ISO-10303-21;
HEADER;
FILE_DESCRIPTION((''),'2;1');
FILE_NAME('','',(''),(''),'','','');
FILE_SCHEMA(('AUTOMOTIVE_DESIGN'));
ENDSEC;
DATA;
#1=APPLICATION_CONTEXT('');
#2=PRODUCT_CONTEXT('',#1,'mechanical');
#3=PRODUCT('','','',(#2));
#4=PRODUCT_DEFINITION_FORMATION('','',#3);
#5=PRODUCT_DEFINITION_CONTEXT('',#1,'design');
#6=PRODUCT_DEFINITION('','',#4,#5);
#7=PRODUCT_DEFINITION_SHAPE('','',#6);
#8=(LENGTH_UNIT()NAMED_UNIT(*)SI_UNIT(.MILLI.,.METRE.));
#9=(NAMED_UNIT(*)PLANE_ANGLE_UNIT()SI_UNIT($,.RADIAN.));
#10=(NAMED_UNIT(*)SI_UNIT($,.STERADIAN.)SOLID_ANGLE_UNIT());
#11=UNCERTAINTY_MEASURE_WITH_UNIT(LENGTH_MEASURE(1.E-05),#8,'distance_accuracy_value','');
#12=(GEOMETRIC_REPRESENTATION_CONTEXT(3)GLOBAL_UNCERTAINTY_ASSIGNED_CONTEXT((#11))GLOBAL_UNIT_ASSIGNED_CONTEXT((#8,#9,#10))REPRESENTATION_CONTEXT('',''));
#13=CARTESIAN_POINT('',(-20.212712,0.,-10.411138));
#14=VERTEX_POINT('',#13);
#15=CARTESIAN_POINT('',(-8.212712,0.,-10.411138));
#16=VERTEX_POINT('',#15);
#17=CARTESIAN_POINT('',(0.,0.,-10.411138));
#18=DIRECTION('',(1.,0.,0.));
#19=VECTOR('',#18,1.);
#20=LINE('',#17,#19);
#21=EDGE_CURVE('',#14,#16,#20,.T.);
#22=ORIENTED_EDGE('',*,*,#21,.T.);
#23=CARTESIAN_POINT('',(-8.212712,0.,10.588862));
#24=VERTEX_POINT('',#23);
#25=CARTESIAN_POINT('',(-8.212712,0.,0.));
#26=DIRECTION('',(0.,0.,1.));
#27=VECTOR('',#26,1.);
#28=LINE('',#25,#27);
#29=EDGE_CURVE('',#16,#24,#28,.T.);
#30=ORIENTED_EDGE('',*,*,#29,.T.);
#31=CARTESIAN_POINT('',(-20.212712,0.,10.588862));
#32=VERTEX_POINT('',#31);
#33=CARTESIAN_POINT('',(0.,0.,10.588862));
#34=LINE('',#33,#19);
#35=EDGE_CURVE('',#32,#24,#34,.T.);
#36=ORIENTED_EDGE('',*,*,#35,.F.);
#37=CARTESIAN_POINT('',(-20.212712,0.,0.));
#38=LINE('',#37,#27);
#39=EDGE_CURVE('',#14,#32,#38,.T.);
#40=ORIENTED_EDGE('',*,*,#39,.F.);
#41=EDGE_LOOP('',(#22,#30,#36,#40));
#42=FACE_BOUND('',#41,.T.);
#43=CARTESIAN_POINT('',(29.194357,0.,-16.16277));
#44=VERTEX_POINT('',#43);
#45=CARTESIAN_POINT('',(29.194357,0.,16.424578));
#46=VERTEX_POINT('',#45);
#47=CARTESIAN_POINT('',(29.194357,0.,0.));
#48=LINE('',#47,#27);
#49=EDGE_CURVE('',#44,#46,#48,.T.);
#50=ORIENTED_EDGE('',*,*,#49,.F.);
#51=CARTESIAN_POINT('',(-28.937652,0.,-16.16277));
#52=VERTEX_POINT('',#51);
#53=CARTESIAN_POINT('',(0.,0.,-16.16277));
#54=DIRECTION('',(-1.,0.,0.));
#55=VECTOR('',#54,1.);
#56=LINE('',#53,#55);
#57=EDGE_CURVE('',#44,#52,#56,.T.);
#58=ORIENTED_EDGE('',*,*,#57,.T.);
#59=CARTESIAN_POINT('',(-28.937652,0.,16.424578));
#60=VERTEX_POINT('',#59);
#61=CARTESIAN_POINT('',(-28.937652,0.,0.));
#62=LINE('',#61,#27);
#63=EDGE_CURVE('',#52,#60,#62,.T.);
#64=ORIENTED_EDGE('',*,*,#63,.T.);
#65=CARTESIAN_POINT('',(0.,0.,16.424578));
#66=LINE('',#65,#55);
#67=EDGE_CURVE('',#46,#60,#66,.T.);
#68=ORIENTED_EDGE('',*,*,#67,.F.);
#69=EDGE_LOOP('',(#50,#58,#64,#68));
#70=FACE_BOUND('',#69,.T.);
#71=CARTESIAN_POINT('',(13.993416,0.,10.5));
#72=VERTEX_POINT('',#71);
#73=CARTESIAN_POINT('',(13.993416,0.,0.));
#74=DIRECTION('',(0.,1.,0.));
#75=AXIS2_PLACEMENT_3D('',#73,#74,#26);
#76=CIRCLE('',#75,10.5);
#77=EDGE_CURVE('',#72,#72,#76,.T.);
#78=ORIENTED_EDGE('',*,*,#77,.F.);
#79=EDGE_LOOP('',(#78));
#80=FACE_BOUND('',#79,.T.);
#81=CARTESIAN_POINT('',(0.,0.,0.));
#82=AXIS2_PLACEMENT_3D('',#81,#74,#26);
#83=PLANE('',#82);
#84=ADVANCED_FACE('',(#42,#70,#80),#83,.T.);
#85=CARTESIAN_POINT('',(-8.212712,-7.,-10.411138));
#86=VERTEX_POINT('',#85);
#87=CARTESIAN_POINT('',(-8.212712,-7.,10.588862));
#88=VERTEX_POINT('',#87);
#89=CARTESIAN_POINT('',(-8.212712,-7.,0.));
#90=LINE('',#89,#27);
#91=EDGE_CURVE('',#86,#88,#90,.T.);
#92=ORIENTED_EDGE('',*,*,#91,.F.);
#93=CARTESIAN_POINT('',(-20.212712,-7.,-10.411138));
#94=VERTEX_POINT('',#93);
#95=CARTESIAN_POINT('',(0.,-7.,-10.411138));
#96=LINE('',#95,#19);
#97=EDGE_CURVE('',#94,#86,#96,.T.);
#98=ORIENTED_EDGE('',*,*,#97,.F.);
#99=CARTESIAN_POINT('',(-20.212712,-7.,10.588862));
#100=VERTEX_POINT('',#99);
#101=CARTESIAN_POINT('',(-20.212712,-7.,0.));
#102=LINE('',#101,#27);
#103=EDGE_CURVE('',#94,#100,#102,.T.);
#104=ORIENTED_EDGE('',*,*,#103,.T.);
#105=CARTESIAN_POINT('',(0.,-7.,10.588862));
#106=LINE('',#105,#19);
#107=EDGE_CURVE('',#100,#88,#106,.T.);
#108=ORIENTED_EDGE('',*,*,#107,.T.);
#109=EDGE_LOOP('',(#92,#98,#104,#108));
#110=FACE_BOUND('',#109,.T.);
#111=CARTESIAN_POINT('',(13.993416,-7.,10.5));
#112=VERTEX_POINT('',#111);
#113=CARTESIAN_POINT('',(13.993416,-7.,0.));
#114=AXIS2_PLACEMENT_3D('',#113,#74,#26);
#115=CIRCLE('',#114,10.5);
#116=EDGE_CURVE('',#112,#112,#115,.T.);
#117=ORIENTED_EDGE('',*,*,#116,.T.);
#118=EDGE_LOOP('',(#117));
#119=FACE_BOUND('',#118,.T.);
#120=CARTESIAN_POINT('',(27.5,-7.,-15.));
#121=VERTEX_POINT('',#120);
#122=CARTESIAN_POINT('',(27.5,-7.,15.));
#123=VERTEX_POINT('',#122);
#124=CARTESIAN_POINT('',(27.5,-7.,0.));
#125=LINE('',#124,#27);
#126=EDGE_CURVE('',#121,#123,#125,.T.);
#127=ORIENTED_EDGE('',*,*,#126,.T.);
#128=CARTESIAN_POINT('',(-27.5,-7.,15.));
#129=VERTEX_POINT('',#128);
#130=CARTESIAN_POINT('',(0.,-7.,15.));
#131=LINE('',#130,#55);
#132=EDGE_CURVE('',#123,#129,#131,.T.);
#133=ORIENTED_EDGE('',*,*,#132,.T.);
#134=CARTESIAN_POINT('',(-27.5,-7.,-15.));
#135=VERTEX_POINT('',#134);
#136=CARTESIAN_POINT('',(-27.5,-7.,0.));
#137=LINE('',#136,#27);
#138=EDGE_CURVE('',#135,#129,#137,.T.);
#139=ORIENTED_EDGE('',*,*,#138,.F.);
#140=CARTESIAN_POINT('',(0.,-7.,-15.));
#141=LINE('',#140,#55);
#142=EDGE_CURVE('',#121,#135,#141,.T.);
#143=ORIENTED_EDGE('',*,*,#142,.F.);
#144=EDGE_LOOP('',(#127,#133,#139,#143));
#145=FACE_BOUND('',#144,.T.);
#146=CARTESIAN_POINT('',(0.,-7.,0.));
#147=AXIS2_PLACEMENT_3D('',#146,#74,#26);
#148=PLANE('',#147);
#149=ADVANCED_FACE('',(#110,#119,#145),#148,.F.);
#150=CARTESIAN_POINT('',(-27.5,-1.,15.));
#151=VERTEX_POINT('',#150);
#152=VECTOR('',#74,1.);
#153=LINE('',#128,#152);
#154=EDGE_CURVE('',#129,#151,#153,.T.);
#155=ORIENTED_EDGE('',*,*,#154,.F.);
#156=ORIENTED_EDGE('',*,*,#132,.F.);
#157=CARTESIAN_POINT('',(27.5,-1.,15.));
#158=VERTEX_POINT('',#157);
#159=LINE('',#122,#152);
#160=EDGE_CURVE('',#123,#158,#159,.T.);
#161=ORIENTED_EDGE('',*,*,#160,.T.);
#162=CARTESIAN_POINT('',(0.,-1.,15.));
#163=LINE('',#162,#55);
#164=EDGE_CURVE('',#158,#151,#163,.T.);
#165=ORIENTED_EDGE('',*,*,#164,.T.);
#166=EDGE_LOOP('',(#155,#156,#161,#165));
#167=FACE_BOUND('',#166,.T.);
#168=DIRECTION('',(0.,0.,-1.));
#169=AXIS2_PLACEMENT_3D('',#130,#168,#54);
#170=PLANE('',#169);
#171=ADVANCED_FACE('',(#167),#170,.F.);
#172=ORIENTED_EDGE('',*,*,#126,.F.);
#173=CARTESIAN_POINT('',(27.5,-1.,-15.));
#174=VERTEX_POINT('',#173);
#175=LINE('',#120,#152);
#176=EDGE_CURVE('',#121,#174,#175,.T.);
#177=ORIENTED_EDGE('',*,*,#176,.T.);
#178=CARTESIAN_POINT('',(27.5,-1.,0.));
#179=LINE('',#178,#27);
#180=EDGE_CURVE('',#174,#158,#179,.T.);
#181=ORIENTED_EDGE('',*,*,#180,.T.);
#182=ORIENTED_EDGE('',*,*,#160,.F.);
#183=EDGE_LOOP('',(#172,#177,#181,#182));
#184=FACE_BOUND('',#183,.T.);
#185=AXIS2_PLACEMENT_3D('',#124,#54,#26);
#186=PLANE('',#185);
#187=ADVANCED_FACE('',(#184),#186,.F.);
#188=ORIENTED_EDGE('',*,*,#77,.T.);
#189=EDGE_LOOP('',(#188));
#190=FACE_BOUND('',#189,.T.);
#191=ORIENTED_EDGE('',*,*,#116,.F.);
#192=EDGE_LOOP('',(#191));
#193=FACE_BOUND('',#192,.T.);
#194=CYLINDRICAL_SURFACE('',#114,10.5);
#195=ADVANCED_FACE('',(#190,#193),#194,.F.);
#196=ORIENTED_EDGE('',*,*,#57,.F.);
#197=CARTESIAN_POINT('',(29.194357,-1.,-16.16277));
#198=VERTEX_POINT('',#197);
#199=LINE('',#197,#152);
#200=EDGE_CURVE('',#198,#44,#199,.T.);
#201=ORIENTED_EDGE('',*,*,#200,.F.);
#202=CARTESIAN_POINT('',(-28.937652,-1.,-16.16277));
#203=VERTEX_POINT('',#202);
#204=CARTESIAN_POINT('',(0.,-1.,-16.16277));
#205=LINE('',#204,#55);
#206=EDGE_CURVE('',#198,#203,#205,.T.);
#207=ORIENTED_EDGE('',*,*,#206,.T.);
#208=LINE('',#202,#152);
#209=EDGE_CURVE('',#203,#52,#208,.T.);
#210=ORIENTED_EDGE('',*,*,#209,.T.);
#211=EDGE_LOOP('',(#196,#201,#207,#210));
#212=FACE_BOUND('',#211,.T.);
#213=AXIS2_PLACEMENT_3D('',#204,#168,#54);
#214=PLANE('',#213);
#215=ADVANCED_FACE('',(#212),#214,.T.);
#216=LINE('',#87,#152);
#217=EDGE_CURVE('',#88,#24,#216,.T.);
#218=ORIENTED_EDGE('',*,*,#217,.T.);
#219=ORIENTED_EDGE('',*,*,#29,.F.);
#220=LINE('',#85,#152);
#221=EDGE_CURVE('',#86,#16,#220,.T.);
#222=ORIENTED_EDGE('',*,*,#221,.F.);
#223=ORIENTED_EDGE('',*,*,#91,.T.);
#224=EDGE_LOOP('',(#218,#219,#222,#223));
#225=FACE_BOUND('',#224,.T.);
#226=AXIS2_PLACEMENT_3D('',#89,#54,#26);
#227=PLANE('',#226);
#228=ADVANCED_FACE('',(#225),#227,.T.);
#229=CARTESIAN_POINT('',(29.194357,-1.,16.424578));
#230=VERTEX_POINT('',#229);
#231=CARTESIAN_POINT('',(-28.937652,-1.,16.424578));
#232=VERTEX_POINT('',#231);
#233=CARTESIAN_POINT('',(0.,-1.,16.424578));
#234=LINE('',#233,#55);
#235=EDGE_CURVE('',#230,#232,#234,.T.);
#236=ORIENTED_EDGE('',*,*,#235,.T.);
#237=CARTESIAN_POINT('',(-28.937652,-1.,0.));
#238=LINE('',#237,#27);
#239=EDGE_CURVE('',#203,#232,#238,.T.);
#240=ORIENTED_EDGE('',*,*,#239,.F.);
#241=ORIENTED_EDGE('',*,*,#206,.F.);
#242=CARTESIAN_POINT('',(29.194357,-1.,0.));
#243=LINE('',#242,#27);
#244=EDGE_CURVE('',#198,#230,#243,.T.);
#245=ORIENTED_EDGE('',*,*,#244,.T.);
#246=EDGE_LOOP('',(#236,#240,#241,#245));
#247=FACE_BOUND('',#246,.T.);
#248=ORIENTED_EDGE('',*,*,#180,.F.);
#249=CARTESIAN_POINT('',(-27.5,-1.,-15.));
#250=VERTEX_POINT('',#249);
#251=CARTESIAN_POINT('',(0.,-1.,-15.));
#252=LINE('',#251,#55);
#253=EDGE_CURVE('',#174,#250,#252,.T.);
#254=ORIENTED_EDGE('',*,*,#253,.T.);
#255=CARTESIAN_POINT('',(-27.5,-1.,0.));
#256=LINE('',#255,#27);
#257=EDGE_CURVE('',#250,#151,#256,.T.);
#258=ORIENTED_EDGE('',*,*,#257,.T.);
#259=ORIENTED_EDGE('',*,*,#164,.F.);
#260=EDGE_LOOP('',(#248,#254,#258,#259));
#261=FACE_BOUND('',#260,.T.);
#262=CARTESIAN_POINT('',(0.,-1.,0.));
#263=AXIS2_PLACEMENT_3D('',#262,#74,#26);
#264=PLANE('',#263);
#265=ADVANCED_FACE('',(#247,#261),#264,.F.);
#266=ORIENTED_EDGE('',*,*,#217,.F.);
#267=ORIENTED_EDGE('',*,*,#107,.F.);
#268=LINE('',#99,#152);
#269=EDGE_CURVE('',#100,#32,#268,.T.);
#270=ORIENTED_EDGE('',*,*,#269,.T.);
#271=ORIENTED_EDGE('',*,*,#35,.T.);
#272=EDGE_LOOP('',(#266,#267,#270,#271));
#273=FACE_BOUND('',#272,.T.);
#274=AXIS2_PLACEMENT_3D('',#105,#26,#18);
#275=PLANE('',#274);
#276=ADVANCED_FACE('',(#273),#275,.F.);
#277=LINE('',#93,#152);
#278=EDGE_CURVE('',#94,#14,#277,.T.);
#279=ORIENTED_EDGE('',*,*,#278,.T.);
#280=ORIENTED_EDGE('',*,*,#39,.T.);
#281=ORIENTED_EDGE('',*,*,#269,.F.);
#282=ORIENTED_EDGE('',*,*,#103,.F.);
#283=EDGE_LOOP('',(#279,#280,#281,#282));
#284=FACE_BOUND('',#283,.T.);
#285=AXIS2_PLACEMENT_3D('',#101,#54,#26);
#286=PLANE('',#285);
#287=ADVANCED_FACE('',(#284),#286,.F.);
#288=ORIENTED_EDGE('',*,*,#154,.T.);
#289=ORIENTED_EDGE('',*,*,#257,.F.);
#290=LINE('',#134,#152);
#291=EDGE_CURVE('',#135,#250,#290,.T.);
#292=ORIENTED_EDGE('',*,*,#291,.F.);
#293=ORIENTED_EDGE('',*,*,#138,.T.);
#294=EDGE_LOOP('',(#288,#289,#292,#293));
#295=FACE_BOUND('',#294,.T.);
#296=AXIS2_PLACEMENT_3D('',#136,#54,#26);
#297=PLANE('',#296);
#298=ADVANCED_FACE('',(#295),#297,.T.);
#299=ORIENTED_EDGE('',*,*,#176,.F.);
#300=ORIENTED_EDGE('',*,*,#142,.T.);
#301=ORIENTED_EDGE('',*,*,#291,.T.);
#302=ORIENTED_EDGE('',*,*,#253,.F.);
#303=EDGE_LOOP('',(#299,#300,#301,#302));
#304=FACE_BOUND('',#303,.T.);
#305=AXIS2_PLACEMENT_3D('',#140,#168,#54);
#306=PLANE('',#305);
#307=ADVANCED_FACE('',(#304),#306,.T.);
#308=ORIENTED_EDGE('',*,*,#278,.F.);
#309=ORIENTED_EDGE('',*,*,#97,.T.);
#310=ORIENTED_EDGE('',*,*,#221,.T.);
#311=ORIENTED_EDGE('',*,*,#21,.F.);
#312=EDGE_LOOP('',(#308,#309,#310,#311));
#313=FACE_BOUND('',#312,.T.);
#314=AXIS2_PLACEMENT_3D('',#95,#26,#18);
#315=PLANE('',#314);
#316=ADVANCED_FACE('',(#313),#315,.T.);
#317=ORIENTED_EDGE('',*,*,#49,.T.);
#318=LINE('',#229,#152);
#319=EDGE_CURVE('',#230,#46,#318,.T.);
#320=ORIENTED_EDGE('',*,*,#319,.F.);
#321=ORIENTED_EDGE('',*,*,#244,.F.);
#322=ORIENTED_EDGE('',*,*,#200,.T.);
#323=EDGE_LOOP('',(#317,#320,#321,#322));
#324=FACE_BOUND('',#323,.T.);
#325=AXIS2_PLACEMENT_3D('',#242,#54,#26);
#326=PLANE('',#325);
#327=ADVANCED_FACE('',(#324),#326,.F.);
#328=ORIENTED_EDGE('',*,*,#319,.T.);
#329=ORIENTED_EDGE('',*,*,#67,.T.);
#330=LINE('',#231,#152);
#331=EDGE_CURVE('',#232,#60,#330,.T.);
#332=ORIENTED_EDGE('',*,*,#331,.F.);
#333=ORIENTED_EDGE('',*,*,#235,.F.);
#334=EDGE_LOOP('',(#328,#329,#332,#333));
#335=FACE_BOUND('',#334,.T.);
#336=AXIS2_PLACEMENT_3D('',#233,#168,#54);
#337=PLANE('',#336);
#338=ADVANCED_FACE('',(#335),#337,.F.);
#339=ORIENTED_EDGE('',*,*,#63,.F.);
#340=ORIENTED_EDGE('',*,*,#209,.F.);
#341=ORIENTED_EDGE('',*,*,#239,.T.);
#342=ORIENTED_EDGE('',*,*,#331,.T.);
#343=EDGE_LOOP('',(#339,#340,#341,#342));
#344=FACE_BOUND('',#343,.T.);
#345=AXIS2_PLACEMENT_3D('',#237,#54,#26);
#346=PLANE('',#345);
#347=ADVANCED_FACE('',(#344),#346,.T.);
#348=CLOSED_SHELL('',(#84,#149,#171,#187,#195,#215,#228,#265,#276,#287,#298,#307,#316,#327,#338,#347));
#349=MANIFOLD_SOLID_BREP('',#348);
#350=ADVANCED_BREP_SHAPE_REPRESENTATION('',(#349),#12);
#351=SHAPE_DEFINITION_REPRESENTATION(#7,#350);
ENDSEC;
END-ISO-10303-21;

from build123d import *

# Parameters (mm, degrees)
SKETCH1_W           = 55
SKETCH1_H           = 30
SKETCH1_W_2         = 12
SKETCH1_H_2         = 21
SKETCH1_R           = 10.5
BOSS_EXTRUDE1_DEPTH = 7
SKETCH1_3_W         = 58.132008701
SKETCH1_3_H         = 32.587347793
SKETCH1_3_W_2       = 55
SKETCH1_3_H_2       = 30
BOSS_EXTRUDE2_DEPTH = 1


with BuildPart() as part:
    # Sketch1 → Boss-Extrude1 (new body)
    with BuildSketch(Plane(origin=(0, 0, 0), x_dir=(1, 0, 0), z_dir=(0, 1, 0))):
        Rectangle(SKETCH1_W, SKETCH1_H)
        with Locations((-14.212711625, -0.088861689)):
            Rectangle(SKETCH1_W_2, SKETCH1_H_2, mode=Mode.SUBTRACT)
        with Locations((13.99341574, 0)):
            Circle(SKETCH1_R, mode=Mode.SUBTRACT)
    extrude(amount=-BOSS_EXTRUDE1_DEPTH)

    # Sketch1<3> → Boss-Extrude2 (add)
    with BuildSketch(Plane(origin=(0, 0, 0), x_dir=(1, 0, 0), z_dir=(0, 1, 0))):
        with Locations((0.128352579, -0.130903876)):
            Rectangle(SKETCH1_3_W, SKETCH1_3_H)
        Rectangle(SKETCH1_3_W_2, SKETCH1_3_H_2, mode=Mode.SUBTRACT)
    extrude(amount=-BOSS_EXTRUDE2_DEPTH)


solid = part.part
